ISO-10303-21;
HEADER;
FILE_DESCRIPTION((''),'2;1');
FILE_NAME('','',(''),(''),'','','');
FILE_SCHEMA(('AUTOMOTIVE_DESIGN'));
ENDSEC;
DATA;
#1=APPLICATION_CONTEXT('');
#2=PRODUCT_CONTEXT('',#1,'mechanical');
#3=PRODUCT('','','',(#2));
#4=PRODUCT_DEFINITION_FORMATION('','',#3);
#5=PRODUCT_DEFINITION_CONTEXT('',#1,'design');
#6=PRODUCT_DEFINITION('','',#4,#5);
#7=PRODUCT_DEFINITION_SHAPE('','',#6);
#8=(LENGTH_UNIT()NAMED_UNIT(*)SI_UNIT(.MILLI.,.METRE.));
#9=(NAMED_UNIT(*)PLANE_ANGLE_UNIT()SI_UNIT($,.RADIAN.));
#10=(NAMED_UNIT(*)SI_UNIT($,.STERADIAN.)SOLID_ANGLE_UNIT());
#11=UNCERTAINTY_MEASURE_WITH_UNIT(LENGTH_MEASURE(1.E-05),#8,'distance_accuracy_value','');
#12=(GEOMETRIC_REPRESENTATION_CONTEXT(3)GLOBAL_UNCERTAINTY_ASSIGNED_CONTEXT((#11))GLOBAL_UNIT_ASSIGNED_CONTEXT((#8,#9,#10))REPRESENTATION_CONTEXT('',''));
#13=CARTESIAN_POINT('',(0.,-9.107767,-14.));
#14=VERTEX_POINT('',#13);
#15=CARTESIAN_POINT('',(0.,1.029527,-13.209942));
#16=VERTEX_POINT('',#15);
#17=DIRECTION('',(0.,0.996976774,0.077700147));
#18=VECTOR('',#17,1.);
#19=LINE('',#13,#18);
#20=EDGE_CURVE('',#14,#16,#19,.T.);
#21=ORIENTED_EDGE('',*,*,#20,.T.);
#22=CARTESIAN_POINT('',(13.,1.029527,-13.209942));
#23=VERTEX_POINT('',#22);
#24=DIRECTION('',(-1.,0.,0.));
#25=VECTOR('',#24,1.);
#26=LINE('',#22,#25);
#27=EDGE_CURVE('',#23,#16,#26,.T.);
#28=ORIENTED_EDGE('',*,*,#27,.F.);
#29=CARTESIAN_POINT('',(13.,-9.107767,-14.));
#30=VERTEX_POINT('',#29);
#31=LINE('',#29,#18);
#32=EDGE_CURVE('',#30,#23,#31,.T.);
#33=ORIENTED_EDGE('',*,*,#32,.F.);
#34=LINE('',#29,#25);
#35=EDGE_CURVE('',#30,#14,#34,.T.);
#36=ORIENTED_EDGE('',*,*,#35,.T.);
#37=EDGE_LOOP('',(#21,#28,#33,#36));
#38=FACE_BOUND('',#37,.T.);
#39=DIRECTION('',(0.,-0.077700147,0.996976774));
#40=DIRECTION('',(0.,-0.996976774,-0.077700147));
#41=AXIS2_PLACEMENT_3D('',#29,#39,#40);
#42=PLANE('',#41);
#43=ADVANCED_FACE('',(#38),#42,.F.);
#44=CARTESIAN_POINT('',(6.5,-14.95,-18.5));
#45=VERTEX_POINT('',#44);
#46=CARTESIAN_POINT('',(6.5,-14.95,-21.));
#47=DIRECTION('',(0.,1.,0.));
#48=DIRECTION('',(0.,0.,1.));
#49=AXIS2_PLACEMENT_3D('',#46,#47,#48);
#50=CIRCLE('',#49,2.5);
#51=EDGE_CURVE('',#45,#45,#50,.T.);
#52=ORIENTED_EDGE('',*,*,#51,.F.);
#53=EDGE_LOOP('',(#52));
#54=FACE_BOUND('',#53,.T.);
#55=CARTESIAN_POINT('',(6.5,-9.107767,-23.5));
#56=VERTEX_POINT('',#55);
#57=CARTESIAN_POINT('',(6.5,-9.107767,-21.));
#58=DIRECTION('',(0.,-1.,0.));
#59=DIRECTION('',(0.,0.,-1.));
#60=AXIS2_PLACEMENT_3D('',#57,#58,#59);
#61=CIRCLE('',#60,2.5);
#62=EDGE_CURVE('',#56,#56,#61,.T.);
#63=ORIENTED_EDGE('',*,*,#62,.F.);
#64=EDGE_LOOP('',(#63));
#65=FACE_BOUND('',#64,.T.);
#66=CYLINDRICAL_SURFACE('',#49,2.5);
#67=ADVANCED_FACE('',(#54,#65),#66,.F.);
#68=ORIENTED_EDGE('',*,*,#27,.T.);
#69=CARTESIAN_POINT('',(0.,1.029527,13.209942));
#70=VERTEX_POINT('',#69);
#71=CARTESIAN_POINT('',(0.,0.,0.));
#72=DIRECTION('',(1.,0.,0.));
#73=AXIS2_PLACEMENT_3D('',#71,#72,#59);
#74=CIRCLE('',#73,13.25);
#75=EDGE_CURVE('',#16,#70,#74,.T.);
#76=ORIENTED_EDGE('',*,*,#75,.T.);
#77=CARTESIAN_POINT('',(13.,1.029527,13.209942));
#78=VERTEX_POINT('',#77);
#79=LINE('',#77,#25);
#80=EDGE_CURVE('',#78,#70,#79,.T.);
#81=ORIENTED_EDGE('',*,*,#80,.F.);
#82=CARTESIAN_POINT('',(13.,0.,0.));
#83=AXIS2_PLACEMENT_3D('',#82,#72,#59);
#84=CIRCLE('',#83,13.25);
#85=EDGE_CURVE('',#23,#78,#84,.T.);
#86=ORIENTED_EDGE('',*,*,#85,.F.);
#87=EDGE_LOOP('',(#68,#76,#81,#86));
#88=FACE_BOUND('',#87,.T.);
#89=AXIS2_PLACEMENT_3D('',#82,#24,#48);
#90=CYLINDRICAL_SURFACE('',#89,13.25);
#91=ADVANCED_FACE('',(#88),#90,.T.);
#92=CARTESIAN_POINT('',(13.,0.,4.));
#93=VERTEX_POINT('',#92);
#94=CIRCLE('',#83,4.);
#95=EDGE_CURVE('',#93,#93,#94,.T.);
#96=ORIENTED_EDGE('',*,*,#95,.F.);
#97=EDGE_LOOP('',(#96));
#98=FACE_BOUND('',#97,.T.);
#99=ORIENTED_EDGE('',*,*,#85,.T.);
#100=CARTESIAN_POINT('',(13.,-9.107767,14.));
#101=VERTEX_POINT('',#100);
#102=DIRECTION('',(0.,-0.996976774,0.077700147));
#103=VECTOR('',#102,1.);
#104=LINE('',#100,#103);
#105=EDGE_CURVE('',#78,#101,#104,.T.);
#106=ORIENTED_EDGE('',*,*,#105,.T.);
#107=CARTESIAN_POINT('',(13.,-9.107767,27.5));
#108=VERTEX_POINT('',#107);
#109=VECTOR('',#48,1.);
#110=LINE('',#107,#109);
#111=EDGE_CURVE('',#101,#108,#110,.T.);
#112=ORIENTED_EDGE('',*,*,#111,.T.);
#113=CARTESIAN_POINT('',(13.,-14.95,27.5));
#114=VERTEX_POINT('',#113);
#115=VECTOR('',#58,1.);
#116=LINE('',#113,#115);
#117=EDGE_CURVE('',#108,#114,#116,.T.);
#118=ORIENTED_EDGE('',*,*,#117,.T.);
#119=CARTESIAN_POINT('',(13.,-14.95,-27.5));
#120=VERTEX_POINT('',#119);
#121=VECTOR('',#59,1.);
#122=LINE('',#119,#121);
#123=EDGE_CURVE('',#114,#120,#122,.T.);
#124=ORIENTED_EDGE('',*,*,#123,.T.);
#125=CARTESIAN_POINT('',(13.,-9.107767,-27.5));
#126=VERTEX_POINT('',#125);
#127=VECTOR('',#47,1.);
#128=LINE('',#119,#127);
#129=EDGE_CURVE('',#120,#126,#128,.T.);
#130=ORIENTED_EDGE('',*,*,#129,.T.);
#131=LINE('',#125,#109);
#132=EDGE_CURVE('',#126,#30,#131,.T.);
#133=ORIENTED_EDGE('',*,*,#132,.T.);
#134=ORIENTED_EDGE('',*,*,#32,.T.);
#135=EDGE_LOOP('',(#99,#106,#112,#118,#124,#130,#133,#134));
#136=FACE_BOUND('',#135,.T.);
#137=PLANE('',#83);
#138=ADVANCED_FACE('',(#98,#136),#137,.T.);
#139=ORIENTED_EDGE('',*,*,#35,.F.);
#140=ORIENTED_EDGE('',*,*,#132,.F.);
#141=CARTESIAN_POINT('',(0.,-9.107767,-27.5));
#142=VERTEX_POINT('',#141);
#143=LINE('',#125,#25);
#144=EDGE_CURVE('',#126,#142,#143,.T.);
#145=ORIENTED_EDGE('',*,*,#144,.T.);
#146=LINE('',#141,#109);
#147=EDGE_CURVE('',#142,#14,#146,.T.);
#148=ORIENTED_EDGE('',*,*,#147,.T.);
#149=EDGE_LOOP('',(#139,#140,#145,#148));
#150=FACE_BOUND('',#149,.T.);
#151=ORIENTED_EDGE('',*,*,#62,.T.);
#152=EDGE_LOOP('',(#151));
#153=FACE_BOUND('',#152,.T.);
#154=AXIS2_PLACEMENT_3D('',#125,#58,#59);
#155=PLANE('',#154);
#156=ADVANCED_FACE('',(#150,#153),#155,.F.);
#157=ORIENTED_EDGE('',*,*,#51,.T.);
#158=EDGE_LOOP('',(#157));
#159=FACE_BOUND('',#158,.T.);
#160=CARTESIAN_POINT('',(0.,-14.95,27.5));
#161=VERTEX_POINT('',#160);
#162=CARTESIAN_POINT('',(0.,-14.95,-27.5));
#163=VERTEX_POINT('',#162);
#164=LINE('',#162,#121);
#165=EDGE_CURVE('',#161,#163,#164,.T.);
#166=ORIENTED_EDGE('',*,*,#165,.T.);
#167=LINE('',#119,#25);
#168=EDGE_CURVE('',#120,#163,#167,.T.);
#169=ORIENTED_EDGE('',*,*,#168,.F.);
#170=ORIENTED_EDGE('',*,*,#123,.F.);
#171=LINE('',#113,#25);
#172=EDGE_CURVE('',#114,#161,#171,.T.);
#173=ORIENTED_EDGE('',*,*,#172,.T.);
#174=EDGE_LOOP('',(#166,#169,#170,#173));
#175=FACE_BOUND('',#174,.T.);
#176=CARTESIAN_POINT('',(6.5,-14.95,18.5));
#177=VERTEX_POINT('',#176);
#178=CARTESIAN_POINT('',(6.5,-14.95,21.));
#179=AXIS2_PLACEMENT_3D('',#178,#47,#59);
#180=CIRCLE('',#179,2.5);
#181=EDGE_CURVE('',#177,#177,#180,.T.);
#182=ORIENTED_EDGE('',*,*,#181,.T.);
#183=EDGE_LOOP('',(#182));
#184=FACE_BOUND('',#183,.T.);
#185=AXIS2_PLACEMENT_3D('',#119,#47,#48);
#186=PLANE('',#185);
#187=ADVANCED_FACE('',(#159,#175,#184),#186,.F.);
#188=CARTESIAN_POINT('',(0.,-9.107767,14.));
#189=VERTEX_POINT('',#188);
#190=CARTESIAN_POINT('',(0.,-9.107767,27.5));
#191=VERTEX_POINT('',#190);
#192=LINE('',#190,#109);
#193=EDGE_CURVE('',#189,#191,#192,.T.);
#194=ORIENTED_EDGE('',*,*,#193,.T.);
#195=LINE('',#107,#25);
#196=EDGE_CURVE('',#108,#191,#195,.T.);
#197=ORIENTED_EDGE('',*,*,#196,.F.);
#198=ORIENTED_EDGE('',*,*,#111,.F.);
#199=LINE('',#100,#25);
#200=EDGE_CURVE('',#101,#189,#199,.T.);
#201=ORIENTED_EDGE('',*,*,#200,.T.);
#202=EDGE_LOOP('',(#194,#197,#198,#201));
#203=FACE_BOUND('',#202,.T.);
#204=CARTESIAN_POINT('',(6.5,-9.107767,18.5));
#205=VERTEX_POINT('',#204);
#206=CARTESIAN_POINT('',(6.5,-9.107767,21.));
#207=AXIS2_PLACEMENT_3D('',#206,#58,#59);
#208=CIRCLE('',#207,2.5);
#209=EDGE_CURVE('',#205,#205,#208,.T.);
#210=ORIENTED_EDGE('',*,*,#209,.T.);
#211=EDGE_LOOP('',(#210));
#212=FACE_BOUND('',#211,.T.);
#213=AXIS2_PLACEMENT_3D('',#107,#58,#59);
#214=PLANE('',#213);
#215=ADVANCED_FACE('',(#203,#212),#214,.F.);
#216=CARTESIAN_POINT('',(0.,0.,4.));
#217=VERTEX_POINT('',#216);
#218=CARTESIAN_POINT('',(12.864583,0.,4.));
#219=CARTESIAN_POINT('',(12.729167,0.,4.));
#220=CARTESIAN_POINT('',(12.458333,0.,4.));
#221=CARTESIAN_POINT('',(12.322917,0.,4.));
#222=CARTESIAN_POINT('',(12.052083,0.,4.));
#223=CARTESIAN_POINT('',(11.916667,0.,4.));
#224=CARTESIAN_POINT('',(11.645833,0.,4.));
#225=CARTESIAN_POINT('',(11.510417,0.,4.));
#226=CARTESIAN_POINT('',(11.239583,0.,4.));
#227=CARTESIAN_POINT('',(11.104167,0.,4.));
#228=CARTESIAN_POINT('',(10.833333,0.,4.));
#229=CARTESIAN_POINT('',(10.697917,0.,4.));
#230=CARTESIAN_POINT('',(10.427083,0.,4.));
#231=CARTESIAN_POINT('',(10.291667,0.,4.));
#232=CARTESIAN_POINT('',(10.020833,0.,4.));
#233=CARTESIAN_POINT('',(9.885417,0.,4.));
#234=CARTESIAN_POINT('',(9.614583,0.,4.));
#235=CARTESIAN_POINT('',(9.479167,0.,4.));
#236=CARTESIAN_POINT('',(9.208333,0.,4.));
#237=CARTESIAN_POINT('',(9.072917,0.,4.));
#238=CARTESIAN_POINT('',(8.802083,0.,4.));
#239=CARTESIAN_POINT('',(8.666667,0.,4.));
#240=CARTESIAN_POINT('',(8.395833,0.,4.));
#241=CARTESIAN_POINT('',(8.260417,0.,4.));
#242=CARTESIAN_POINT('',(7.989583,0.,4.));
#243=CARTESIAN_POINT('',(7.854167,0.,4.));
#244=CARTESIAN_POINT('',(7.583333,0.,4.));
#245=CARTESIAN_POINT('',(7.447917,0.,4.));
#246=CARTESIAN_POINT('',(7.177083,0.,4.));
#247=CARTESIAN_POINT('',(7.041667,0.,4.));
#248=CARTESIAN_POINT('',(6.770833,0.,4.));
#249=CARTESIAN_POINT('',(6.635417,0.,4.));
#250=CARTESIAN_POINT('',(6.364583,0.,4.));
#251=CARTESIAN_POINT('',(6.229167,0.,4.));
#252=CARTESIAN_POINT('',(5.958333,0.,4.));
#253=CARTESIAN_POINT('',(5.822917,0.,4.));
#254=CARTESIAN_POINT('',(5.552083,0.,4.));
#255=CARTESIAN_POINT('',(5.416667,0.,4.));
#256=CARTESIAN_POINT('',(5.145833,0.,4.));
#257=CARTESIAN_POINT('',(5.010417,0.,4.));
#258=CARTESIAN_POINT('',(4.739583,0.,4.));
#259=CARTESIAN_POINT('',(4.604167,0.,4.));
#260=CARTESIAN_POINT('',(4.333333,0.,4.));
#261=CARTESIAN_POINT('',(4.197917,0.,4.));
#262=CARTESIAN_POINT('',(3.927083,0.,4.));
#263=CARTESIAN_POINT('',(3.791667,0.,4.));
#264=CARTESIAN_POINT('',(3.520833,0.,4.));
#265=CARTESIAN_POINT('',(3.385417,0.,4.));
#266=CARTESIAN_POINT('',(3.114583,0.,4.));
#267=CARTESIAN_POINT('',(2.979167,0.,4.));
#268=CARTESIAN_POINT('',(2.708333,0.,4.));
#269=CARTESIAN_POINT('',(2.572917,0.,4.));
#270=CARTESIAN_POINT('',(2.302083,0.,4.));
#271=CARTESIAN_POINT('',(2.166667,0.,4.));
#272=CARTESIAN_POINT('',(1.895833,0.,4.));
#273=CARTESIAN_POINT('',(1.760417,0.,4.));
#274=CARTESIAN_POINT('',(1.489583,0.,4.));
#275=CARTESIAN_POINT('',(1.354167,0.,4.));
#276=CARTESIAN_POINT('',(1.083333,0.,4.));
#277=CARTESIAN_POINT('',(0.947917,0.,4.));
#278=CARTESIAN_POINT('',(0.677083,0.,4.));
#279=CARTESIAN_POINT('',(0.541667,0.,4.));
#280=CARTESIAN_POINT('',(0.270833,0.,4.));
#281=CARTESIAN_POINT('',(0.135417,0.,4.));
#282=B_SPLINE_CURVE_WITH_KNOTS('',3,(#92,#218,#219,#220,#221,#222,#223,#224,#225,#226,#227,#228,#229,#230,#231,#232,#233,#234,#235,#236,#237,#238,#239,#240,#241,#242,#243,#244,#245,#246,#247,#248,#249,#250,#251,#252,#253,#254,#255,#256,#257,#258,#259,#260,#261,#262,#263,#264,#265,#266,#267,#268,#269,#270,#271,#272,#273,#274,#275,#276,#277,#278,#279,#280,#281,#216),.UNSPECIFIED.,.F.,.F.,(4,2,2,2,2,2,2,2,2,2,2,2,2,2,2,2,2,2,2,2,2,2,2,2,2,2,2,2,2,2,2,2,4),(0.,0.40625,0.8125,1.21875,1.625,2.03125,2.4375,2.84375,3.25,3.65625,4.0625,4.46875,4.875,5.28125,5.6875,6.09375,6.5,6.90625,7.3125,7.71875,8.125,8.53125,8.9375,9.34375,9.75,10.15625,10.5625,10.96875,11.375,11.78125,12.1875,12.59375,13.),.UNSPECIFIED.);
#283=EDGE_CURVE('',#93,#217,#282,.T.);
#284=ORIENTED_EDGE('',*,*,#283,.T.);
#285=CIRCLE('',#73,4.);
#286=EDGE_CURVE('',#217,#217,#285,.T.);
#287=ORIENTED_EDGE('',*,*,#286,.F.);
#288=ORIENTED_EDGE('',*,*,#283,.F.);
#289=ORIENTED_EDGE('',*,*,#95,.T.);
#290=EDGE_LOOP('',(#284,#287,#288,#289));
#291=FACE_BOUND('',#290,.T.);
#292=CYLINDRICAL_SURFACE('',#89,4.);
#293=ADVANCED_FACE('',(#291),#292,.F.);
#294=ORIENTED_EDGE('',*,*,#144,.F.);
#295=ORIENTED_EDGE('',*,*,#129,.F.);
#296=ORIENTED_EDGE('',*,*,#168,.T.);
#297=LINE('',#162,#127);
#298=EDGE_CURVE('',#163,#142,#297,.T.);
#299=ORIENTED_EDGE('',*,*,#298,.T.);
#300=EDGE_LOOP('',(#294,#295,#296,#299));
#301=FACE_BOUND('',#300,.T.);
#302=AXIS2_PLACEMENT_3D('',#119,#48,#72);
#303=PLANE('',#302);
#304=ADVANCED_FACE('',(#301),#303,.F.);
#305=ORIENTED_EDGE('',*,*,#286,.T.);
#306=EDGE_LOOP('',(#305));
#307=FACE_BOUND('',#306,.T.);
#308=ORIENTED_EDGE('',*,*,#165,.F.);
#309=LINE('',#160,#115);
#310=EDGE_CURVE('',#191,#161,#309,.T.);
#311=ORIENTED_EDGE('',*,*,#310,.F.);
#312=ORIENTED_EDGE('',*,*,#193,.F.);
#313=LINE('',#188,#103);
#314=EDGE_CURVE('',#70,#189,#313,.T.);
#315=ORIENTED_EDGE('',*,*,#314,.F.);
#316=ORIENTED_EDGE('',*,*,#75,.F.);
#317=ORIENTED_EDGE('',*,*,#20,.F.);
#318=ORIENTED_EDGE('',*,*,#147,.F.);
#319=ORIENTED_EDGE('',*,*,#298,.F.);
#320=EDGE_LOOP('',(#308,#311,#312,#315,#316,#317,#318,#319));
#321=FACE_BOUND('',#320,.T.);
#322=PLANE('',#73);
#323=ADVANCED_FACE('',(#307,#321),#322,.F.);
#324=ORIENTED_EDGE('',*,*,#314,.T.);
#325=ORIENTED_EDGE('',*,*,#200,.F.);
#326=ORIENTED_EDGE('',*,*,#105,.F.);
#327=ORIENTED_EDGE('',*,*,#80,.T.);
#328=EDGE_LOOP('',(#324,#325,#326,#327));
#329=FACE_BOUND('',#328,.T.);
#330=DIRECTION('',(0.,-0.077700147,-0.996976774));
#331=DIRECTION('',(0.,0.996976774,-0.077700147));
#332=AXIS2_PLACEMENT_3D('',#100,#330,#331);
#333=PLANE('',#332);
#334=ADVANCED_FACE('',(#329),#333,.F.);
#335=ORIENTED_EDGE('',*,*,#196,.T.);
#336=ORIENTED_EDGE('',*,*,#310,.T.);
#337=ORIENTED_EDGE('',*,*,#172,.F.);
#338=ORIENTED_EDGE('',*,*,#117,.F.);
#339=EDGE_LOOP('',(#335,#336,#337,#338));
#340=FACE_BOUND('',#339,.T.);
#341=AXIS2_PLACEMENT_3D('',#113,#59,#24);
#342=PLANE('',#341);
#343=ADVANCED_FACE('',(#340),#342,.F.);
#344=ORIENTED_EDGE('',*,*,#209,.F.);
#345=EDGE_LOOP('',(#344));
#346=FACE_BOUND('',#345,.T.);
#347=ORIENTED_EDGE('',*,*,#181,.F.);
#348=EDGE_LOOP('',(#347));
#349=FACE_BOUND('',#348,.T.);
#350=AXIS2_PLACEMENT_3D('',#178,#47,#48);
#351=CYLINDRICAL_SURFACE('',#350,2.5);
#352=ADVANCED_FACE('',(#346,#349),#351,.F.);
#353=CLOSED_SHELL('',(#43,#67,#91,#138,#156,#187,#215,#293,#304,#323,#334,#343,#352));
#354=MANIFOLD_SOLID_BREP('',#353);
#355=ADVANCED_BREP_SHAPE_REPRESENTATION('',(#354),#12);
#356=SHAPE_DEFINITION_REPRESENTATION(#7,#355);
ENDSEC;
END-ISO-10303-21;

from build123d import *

# Parameters (mm, degrees)
SKETCH1_R               = 4
BOSS_EXTRUDE1_DEPTH     = 13
CUT_EXTRUDE1_DEPTH      = 38.750758176
CUT_EXTRUDE1_DEPTH_BACK = 38.750758176
SKETCH2_R               = 2.5


with BuildPart() as part:
    # Sketch1 → Boss-Extrude1 (new body)
    with BuildSketch(Plane(origin=(0, 0, 0), x_dir=(0, 0, -1), z_dir=(1, 0, 0))):
        with BuildLine():
            Line((27.5, -14.95), (-27.5, -14.95))
            Line((-27.5, -14.95), (-27.5, -9.107766946))
            Line((-27.5, -9.107766946), (-14, -9.107766946))
            Line((-14, -9.107766946), (-13.209942251, 1.029526948))
            ThreePointArc((-13.209942251, 1.029526948), (0, 13.25), (13.209942251, 1.029526948))
            Line((13.209942251, 1.029526948), (14, -9.107766946))
            Line((14, -9.107766946), (27.5, -9.107766946))
            Line((27.5, -9.107766946), (27.5, -14.95))
        make_face()
        with Locations(Location((0, 0, 0), (0, 0, 180))):
            Circle(SKETCH1_R, mode=Mode.SUBTRACT)
    extrude(amount=BOSS_EXTRUDE1_DEPTH)

    # Sketch2 → Cut-Extrude1 (cut, two sides: drawn at the far end of the back side and taken through both)
    with BuildSketch(Plane(origin=(0, -9.107766946, 0), x_dir=(1, 0, 0), z_dir=(0, 1, 0)).offset(-CUT_EXTRUDE1_DEPTH_BACK)):
        with Locations(Location((6.5, 21, 0), (0, 0, 270))):
            Circle(SKETCH2_R)
        with Locations(Location((6.5, -21, 0), (0, 0, 90))):
            Circle(SKETCH2_R)
    extrude(amount=CUT_EXTRUDE1_DEPTH + CUT_EXTRUDE1_DEPTH_BACK, mode=Mode.SUBTRACT)


solid = part.part
